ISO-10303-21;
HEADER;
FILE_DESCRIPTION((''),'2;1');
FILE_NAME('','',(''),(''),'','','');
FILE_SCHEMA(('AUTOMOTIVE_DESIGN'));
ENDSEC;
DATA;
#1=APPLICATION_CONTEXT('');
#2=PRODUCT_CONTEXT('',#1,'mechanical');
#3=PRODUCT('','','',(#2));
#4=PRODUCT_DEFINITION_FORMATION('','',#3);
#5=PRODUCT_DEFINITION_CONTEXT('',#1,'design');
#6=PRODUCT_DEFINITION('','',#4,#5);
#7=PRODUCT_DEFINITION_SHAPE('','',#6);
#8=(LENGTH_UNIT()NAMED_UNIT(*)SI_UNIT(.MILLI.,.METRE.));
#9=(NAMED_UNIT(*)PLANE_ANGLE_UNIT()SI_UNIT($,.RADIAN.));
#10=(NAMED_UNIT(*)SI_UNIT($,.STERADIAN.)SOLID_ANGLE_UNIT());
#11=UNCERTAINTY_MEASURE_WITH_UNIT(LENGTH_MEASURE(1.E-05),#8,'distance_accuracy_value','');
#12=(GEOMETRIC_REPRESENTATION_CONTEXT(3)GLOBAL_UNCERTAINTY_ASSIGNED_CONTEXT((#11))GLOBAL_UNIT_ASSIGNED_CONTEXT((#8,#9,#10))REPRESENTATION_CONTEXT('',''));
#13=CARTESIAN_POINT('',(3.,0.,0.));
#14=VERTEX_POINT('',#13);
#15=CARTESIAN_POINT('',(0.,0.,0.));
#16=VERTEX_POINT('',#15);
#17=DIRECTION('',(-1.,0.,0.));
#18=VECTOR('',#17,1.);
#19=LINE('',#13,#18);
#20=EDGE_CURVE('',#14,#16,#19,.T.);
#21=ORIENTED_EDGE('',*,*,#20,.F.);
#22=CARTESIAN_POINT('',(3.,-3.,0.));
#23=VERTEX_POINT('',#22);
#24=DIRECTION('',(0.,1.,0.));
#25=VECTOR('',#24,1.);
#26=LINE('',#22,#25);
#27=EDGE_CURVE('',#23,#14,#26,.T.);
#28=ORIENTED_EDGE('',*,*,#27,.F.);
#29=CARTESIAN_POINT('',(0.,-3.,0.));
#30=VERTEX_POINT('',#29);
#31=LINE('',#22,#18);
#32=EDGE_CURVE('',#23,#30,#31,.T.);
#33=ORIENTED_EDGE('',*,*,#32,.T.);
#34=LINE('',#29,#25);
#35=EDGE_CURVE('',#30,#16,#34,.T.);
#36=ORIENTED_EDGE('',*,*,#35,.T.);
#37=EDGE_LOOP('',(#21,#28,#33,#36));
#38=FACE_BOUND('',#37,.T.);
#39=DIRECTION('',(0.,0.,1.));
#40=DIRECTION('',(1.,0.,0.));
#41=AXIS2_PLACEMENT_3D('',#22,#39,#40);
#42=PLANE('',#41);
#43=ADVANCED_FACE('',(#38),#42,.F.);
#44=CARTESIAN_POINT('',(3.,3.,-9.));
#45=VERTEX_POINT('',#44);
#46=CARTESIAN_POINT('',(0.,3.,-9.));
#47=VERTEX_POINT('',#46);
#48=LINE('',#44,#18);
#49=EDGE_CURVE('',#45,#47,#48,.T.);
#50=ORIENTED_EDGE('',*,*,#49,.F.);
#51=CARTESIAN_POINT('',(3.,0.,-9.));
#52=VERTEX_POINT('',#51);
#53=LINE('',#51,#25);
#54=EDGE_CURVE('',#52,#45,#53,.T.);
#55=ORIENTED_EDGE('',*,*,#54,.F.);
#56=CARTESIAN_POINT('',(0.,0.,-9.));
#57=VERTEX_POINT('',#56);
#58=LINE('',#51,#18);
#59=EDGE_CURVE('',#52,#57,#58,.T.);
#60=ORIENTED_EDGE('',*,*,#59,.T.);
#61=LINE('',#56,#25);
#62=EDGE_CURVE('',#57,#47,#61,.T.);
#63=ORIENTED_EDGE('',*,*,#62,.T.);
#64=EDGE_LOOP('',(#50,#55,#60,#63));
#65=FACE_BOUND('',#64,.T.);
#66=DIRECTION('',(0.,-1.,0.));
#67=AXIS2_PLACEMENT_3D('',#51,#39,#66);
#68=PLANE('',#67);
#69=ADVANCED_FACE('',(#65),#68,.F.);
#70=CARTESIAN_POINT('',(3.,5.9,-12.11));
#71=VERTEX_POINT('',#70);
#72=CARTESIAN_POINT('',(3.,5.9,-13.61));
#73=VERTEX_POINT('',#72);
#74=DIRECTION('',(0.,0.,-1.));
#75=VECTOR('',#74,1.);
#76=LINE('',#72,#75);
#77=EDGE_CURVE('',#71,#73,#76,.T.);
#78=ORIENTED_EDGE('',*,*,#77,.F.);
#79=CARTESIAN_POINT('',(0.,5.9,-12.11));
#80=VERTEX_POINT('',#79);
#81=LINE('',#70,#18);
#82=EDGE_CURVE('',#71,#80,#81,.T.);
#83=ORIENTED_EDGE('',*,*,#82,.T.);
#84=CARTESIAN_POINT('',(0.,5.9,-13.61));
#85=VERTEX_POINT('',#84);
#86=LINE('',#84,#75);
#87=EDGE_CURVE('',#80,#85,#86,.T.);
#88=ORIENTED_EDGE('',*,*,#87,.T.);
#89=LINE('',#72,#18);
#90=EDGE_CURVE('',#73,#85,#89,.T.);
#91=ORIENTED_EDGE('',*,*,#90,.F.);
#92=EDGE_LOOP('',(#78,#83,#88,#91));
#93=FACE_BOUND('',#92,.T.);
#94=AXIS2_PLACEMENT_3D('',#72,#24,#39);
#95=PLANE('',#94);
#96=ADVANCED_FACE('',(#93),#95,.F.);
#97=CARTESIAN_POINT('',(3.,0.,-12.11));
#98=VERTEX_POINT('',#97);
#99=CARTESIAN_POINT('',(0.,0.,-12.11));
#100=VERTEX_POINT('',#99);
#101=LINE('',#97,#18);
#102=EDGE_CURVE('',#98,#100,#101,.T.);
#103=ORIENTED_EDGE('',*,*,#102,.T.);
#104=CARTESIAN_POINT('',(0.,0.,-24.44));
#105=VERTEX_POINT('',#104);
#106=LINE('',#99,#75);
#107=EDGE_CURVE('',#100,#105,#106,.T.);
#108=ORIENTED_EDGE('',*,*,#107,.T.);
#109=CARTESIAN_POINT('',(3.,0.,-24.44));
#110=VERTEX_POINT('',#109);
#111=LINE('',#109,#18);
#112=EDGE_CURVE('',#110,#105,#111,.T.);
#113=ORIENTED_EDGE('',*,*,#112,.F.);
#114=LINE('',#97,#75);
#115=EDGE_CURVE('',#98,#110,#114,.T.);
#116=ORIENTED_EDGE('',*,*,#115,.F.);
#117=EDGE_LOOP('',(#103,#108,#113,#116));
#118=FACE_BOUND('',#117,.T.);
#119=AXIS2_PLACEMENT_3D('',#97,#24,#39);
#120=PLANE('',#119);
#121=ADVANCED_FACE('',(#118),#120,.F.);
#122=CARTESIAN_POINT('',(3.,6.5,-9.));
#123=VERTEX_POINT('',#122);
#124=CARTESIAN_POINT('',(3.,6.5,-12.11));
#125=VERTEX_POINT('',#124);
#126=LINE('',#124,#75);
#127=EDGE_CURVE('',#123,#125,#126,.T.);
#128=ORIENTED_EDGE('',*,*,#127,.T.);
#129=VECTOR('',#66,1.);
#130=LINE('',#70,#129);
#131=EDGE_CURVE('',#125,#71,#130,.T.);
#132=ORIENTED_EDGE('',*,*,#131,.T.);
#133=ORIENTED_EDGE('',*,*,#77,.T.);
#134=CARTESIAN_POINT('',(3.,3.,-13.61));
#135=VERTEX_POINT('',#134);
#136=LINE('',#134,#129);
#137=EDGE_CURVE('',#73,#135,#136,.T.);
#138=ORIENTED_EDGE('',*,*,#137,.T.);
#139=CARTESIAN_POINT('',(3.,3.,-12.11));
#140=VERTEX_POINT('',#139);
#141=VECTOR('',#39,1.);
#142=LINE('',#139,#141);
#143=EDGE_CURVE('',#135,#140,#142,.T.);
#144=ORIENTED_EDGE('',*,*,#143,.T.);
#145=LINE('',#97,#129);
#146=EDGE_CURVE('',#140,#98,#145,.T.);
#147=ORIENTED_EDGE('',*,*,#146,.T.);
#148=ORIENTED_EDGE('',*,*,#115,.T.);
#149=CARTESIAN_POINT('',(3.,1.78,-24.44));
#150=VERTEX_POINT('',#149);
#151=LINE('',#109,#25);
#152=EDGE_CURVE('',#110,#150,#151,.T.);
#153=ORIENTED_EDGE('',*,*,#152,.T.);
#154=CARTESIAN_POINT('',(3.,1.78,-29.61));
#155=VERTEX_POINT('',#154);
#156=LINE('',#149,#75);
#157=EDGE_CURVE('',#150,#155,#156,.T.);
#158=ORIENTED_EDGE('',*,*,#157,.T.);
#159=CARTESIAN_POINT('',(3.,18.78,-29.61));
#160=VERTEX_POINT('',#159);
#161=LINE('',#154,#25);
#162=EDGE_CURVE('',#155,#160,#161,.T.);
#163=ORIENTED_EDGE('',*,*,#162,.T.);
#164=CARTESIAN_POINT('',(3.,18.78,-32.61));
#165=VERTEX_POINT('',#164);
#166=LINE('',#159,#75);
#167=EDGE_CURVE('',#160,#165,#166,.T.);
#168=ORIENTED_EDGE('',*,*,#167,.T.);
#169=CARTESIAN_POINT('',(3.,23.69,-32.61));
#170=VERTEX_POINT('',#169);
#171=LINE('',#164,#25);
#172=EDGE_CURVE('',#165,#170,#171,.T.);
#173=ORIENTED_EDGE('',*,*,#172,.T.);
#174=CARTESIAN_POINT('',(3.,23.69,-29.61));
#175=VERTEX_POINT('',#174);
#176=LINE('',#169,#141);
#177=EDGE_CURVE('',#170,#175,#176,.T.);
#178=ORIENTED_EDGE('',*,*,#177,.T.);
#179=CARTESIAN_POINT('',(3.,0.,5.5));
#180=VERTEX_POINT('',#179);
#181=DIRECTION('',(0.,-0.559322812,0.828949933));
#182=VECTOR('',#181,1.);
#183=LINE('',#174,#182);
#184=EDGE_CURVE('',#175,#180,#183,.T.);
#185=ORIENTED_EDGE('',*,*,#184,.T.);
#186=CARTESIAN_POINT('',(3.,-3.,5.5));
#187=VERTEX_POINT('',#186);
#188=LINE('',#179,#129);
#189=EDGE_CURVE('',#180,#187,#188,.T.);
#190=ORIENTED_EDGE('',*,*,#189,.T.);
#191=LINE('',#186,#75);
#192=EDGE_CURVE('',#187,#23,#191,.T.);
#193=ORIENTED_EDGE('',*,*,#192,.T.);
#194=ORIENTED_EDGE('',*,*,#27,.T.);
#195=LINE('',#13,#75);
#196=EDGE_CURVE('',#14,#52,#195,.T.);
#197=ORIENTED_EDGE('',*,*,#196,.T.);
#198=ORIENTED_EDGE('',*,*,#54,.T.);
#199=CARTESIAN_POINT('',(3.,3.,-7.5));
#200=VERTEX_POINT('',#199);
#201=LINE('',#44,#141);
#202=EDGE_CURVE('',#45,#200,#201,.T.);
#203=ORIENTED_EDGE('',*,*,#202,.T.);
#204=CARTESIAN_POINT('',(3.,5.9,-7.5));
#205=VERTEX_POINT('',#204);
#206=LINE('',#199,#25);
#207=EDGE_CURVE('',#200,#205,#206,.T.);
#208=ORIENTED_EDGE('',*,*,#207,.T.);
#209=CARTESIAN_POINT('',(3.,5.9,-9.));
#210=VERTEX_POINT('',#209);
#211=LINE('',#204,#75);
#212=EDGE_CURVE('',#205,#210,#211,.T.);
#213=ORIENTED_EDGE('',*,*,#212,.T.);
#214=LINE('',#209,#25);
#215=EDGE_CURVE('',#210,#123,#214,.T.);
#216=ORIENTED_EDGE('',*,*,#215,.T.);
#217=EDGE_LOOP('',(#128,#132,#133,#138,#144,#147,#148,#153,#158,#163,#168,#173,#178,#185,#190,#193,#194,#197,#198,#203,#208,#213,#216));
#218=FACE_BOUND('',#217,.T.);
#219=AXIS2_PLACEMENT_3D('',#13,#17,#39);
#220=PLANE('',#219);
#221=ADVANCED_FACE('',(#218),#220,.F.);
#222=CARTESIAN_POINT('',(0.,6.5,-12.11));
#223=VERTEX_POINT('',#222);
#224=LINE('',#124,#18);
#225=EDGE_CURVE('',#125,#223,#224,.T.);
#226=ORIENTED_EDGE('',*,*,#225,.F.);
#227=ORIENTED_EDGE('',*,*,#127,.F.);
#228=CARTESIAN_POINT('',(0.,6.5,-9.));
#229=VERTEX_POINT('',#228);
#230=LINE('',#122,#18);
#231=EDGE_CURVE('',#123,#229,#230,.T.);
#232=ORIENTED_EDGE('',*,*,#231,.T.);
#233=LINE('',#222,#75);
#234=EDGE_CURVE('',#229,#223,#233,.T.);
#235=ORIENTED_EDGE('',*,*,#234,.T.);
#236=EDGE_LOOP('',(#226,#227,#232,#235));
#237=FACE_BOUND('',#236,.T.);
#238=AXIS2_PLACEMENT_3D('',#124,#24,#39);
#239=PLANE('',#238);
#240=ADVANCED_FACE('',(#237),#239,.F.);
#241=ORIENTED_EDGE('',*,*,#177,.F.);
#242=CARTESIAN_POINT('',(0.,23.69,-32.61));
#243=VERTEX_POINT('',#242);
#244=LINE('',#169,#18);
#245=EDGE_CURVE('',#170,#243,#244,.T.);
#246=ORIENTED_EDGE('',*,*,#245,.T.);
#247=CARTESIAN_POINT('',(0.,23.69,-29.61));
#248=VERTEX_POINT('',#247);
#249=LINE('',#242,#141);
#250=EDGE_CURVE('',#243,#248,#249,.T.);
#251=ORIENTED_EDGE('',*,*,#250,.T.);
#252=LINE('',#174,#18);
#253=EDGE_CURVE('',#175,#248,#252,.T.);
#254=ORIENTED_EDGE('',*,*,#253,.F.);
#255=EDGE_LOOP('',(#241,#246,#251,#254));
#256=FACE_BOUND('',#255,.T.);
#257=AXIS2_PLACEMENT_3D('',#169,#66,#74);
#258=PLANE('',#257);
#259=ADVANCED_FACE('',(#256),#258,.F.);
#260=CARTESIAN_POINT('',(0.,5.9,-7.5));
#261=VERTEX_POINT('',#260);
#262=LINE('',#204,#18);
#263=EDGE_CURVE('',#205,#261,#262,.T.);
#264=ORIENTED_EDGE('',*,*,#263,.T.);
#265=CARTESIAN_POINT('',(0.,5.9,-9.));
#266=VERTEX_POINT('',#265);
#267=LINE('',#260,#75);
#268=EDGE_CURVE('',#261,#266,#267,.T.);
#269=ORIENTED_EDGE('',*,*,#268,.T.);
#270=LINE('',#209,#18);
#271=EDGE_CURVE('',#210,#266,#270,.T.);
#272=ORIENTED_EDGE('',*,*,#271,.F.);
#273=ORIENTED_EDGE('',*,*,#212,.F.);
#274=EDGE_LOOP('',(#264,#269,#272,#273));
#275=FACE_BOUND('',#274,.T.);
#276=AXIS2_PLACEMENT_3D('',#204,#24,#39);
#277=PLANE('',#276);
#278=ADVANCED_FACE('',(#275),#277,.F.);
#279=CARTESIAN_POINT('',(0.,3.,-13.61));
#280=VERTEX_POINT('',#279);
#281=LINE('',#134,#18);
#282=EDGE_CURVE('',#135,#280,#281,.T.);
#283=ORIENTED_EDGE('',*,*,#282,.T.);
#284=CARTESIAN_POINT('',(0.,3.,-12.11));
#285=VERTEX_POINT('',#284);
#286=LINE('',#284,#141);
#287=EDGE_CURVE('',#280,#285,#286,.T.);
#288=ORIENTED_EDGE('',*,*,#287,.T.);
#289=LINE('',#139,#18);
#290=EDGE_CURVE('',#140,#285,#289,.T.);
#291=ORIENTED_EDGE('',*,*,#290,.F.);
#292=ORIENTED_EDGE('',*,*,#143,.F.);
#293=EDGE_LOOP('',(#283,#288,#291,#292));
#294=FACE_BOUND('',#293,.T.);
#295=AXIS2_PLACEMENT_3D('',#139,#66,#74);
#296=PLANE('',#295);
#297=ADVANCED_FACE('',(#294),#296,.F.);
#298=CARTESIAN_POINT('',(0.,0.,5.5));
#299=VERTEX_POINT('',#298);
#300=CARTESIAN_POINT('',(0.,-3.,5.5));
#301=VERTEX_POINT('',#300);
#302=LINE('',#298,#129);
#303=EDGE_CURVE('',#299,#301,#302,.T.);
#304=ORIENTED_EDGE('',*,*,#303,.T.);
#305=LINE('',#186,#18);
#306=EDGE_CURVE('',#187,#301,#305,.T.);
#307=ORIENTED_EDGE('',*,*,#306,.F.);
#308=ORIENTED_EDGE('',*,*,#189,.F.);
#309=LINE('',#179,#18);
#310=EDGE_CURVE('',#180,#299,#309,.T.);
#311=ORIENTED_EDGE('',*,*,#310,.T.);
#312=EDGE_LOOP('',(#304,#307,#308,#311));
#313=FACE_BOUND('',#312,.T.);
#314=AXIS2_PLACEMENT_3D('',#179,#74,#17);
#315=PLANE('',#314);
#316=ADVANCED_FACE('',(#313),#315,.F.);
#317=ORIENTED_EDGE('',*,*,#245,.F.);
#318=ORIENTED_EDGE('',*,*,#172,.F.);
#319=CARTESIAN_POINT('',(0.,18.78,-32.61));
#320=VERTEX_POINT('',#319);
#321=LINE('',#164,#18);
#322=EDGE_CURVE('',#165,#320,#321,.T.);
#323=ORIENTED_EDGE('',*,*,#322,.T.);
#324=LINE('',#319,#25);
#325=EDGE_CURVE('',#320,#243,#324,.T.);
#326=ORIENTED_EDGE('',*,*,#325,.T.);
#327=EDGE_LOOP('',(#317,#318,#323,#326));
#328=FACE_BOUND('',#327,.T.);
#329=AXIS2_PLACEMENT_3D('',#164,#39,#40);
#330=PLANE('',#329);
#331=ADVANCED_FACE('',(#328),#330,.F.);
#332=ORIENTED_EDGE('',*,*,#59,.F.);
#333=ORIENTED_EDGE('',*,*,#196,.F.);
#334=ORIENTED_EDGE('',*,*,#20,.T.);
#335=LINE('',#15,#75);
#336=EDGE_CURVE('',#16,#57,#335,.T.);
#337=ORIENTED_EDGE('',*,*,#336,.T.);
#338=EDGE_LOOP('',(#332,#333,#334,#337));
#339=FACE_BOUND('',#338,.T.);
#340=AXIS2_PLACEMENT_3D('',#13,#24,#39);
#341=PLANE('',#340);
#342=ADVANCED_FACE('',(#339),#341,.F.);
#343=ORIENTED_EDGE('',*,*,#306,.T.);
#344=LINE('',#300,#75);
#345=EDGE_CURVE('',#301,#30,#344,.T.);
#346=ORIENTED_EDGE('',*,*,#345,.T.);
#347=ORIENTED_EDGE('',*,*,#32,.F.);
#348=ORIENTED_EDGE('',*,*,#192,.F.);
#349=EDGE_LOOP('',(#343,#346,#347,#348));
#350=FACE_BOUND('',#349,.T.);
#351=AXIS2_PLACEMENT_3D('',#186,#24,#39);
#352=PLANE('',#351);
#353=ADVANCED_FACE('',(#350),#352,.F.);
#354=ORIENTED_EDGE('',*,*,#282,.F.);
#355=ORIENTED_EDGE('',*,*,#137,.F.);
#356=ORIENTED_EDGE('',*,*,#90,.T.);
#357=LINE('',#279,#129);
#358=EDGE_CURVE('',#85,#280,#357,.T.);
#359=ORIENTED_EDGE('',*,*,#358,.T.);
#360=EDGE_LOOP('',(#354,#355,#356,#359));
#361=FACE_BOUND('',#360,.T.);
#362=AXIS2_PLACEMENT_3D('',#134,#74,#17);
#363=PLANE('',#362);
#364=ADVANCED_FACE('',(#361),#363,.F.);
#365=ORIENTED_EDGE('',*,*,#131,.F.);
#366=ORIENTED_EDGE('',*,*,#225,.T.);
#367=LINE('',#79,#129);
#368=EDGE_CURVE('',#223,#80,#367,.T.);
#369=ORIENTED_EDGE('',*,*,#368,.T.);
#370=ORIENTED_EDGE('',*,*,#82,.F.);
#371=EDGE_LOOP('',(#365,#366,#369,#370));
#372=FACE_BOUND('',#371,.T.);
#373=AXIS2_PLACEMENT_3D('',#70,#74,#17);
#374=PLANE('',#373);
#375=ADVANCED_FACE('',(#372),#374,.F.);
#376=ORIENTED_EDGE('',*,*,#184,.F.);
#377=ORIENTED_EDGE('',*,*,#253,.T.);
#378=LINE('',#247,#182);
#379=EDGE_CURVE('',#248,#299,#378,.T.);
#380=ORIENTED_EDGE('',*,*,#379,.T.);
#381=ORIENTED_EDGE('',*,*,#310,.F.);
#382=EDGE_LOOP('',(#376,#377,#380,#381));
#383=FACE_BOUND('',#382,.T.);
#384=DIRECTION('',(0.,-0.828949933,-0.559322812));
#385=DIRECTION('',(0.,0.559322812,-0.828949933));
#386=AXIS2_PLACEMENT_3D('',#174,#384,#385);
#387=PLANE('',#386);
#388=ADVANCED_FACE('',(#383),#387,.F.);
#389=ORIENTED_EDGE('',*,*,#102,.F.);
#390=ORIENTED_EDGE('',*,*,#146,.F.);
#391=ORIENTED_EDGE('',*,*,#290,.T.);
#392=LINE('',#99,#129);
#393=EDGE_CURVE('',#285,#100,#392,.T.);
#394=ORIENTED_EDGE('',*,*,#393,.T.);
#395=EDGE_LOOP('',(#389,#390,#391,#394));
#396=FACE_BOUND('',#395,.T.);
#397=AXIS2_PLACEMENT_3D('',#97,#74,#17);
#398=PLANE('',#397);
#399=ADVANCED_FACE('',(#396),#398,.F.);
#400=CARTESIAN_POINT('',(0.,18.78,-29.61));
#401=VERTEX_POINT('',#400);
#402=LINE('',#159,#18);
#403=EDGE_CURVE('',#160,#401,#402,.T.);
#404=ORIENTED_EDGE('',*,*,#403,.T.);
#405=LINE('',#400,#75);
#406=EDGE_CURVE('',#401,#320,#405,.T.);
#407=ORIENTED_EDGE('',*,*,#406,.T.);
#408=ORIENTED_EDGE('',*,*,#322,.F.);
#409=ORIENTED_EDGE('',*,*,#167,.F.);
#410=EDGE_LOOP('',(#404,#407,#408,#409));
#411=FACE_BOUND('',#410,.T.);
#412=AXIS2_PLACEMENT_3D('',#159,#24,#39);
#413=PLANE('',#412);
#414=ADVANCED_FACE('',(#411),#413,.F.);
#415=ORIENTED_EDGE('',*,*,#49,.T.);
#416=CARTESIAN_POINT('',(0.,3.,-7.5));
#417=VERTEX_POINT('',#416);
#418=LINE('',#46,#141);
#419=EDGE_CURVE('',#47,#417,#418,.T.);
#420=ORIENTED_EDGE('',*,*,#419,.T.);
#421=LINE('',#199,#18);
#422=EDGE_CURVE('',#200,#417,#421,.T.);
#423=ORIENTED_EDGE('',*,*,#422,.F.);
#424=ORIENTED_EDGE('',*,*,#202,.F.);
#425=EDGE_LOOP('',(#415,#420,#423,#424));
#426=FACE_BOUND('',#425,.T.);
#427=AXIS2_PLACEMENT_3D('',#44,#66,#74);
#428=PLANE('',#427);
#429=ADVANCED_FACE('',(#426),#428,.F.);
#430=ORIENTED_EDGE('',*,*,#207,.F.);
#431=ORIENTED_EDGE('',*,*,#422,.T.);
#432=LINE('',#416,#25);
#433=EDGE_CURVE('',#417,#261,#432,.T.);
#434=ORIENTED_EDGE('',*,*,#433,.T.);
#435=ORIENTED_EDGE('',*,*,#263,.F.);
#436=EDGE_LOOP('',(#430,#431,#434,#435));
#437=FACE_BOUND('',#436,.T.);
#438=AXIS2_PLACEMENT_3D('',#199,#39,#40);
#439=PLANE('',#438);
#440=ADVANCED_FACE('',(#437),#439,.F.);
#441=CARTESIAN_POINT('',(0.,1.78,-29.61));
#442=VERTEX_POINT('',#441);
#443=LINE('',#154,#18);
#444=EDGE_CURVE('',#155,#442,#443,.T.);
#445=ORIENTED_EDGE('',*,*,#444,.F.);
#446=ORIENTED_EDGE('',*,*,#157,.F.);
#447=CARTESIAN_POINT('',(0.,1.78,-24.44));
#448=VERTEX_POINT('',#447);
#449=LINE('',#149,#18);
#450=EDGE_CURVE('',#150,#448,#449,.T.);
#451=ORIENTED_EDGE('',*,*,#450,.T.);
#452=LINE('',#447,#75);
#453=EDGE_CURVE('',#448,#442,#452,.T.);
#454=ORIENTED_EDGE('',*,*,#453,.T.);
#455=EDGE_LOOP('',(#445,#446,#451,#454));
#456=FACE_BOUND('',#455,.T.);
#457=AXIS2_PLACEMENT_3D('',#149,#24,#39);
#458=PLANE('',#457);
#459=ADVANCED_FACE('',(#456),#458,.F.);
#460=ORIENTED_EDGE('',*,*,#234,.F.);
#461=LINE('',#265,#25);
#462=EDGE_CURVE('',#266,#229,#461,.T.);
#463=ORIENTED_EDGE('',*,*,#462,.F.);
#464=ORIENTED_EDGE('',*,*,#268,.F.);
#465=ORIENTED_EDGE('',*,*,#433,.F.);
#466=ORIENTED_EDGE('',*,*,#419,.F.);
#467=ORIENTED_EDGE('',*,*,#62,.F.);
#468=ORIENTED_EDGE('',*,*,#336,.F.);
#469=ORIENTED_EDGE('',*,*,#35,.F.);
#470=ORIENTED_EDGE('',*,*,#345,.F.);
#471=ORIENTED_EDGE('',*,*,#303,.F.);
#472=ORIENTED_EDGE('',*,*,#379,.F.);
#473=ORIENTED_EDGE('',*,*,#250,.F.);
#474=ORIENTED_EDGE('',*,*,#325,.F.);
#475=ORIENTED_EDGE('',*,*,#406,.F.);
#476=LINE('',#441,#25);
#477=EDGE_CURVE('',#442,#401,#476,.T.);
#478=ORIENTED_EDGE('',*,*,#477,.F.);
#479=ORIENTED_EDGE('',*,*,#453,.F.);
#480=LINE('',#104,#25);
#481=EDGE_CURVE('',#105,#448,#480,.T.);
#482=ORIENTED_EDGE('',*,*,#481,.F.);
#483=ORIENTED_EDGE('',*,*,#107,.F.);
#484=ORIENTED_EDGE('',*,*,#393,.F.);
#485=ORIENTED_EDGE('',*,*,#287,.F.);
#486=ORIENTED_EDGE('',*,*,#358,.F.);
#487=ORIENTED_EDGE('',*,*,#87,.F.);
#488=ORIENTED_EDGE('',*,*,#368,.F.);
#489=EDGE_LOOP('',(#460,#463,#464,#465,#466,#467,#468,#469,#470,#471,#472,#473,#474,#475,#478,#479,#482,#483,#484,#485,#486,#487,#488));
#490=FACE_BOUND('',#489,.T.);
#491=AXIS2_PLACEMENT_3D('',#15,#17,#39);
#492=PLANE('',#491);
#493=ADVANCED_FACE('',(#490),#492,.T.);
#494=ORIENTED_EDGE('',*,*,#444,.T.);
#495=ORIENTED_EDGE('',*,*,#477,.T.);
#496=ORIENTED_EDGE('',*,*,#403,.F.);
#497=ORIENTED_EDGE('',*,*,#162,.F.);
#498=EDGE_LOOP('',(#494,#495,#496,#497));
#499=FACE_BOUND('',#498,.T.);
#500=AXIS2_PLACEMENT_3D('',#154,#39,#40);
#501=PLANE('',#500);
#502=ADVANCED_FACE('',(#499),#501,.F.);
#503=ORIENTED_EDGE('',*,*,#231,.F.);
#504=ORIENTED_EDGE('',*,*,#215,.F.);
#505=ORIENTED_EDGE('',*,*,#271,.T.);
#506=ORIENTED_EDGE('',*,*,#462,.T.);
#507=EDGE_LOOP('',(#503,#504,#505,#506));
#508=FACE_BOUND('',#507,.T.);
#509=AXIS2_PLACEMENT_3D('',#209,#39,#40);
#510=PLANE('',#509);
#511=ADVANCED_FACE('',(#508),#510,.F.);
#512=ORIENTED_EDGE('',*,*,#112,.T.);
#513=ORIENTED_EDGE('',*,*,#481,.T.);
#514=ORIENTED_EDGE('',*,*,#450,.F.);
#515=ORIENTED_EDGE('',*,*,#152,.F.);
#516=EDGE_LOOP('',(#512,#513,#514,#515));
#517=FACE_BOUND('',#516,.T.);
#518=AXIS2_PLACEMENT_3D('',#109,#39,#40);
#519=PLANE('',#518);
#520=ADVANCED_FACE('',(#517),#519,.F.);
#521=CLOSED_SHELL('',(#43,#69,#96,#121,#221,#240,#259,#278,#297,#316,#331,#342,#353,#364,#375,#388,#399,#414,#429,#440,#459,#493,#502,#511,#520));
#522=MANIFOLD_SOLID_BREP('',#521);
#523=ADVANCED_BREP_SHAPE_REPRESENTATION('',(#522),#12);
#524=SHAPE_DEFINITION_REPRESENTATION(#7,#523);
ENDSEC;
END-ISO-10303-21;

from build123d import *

# Parameters (mm, degrees)
SALIENTE_EXTRUIR1_DEPTH = 3


with BuildPart() as part:
    # Croquis1 → Saliente-Extruir1 (new body)
    with BuildSketch(Plane(origin=(0, 0, 0), x_dir=(0, 0, -1), z_dir=(1, 0, 0))):
        Polygon((0, 0), (9, 0), (9, 3), (7.5, 3), (7.5, 5.9), (9, 5.9), (9, 6.5), (12.11, 6.5), (12.11, 5.9), (13.61, 5.9), (13.61, 3), (12.11, 3), (12.11, 0), (24.44, 0), (24.44, 1.78), (29.61, 1.78), (29.61, 18.78), (32.61, 18.78), (32.61, 23.69), (29.61, 23.69), (-5.5, 0), (-5.5, -3), (0, -3), align=None)
    extrude(amount=SALIENTE_EXTRUIR1_DEPTH)


solid = part.part
